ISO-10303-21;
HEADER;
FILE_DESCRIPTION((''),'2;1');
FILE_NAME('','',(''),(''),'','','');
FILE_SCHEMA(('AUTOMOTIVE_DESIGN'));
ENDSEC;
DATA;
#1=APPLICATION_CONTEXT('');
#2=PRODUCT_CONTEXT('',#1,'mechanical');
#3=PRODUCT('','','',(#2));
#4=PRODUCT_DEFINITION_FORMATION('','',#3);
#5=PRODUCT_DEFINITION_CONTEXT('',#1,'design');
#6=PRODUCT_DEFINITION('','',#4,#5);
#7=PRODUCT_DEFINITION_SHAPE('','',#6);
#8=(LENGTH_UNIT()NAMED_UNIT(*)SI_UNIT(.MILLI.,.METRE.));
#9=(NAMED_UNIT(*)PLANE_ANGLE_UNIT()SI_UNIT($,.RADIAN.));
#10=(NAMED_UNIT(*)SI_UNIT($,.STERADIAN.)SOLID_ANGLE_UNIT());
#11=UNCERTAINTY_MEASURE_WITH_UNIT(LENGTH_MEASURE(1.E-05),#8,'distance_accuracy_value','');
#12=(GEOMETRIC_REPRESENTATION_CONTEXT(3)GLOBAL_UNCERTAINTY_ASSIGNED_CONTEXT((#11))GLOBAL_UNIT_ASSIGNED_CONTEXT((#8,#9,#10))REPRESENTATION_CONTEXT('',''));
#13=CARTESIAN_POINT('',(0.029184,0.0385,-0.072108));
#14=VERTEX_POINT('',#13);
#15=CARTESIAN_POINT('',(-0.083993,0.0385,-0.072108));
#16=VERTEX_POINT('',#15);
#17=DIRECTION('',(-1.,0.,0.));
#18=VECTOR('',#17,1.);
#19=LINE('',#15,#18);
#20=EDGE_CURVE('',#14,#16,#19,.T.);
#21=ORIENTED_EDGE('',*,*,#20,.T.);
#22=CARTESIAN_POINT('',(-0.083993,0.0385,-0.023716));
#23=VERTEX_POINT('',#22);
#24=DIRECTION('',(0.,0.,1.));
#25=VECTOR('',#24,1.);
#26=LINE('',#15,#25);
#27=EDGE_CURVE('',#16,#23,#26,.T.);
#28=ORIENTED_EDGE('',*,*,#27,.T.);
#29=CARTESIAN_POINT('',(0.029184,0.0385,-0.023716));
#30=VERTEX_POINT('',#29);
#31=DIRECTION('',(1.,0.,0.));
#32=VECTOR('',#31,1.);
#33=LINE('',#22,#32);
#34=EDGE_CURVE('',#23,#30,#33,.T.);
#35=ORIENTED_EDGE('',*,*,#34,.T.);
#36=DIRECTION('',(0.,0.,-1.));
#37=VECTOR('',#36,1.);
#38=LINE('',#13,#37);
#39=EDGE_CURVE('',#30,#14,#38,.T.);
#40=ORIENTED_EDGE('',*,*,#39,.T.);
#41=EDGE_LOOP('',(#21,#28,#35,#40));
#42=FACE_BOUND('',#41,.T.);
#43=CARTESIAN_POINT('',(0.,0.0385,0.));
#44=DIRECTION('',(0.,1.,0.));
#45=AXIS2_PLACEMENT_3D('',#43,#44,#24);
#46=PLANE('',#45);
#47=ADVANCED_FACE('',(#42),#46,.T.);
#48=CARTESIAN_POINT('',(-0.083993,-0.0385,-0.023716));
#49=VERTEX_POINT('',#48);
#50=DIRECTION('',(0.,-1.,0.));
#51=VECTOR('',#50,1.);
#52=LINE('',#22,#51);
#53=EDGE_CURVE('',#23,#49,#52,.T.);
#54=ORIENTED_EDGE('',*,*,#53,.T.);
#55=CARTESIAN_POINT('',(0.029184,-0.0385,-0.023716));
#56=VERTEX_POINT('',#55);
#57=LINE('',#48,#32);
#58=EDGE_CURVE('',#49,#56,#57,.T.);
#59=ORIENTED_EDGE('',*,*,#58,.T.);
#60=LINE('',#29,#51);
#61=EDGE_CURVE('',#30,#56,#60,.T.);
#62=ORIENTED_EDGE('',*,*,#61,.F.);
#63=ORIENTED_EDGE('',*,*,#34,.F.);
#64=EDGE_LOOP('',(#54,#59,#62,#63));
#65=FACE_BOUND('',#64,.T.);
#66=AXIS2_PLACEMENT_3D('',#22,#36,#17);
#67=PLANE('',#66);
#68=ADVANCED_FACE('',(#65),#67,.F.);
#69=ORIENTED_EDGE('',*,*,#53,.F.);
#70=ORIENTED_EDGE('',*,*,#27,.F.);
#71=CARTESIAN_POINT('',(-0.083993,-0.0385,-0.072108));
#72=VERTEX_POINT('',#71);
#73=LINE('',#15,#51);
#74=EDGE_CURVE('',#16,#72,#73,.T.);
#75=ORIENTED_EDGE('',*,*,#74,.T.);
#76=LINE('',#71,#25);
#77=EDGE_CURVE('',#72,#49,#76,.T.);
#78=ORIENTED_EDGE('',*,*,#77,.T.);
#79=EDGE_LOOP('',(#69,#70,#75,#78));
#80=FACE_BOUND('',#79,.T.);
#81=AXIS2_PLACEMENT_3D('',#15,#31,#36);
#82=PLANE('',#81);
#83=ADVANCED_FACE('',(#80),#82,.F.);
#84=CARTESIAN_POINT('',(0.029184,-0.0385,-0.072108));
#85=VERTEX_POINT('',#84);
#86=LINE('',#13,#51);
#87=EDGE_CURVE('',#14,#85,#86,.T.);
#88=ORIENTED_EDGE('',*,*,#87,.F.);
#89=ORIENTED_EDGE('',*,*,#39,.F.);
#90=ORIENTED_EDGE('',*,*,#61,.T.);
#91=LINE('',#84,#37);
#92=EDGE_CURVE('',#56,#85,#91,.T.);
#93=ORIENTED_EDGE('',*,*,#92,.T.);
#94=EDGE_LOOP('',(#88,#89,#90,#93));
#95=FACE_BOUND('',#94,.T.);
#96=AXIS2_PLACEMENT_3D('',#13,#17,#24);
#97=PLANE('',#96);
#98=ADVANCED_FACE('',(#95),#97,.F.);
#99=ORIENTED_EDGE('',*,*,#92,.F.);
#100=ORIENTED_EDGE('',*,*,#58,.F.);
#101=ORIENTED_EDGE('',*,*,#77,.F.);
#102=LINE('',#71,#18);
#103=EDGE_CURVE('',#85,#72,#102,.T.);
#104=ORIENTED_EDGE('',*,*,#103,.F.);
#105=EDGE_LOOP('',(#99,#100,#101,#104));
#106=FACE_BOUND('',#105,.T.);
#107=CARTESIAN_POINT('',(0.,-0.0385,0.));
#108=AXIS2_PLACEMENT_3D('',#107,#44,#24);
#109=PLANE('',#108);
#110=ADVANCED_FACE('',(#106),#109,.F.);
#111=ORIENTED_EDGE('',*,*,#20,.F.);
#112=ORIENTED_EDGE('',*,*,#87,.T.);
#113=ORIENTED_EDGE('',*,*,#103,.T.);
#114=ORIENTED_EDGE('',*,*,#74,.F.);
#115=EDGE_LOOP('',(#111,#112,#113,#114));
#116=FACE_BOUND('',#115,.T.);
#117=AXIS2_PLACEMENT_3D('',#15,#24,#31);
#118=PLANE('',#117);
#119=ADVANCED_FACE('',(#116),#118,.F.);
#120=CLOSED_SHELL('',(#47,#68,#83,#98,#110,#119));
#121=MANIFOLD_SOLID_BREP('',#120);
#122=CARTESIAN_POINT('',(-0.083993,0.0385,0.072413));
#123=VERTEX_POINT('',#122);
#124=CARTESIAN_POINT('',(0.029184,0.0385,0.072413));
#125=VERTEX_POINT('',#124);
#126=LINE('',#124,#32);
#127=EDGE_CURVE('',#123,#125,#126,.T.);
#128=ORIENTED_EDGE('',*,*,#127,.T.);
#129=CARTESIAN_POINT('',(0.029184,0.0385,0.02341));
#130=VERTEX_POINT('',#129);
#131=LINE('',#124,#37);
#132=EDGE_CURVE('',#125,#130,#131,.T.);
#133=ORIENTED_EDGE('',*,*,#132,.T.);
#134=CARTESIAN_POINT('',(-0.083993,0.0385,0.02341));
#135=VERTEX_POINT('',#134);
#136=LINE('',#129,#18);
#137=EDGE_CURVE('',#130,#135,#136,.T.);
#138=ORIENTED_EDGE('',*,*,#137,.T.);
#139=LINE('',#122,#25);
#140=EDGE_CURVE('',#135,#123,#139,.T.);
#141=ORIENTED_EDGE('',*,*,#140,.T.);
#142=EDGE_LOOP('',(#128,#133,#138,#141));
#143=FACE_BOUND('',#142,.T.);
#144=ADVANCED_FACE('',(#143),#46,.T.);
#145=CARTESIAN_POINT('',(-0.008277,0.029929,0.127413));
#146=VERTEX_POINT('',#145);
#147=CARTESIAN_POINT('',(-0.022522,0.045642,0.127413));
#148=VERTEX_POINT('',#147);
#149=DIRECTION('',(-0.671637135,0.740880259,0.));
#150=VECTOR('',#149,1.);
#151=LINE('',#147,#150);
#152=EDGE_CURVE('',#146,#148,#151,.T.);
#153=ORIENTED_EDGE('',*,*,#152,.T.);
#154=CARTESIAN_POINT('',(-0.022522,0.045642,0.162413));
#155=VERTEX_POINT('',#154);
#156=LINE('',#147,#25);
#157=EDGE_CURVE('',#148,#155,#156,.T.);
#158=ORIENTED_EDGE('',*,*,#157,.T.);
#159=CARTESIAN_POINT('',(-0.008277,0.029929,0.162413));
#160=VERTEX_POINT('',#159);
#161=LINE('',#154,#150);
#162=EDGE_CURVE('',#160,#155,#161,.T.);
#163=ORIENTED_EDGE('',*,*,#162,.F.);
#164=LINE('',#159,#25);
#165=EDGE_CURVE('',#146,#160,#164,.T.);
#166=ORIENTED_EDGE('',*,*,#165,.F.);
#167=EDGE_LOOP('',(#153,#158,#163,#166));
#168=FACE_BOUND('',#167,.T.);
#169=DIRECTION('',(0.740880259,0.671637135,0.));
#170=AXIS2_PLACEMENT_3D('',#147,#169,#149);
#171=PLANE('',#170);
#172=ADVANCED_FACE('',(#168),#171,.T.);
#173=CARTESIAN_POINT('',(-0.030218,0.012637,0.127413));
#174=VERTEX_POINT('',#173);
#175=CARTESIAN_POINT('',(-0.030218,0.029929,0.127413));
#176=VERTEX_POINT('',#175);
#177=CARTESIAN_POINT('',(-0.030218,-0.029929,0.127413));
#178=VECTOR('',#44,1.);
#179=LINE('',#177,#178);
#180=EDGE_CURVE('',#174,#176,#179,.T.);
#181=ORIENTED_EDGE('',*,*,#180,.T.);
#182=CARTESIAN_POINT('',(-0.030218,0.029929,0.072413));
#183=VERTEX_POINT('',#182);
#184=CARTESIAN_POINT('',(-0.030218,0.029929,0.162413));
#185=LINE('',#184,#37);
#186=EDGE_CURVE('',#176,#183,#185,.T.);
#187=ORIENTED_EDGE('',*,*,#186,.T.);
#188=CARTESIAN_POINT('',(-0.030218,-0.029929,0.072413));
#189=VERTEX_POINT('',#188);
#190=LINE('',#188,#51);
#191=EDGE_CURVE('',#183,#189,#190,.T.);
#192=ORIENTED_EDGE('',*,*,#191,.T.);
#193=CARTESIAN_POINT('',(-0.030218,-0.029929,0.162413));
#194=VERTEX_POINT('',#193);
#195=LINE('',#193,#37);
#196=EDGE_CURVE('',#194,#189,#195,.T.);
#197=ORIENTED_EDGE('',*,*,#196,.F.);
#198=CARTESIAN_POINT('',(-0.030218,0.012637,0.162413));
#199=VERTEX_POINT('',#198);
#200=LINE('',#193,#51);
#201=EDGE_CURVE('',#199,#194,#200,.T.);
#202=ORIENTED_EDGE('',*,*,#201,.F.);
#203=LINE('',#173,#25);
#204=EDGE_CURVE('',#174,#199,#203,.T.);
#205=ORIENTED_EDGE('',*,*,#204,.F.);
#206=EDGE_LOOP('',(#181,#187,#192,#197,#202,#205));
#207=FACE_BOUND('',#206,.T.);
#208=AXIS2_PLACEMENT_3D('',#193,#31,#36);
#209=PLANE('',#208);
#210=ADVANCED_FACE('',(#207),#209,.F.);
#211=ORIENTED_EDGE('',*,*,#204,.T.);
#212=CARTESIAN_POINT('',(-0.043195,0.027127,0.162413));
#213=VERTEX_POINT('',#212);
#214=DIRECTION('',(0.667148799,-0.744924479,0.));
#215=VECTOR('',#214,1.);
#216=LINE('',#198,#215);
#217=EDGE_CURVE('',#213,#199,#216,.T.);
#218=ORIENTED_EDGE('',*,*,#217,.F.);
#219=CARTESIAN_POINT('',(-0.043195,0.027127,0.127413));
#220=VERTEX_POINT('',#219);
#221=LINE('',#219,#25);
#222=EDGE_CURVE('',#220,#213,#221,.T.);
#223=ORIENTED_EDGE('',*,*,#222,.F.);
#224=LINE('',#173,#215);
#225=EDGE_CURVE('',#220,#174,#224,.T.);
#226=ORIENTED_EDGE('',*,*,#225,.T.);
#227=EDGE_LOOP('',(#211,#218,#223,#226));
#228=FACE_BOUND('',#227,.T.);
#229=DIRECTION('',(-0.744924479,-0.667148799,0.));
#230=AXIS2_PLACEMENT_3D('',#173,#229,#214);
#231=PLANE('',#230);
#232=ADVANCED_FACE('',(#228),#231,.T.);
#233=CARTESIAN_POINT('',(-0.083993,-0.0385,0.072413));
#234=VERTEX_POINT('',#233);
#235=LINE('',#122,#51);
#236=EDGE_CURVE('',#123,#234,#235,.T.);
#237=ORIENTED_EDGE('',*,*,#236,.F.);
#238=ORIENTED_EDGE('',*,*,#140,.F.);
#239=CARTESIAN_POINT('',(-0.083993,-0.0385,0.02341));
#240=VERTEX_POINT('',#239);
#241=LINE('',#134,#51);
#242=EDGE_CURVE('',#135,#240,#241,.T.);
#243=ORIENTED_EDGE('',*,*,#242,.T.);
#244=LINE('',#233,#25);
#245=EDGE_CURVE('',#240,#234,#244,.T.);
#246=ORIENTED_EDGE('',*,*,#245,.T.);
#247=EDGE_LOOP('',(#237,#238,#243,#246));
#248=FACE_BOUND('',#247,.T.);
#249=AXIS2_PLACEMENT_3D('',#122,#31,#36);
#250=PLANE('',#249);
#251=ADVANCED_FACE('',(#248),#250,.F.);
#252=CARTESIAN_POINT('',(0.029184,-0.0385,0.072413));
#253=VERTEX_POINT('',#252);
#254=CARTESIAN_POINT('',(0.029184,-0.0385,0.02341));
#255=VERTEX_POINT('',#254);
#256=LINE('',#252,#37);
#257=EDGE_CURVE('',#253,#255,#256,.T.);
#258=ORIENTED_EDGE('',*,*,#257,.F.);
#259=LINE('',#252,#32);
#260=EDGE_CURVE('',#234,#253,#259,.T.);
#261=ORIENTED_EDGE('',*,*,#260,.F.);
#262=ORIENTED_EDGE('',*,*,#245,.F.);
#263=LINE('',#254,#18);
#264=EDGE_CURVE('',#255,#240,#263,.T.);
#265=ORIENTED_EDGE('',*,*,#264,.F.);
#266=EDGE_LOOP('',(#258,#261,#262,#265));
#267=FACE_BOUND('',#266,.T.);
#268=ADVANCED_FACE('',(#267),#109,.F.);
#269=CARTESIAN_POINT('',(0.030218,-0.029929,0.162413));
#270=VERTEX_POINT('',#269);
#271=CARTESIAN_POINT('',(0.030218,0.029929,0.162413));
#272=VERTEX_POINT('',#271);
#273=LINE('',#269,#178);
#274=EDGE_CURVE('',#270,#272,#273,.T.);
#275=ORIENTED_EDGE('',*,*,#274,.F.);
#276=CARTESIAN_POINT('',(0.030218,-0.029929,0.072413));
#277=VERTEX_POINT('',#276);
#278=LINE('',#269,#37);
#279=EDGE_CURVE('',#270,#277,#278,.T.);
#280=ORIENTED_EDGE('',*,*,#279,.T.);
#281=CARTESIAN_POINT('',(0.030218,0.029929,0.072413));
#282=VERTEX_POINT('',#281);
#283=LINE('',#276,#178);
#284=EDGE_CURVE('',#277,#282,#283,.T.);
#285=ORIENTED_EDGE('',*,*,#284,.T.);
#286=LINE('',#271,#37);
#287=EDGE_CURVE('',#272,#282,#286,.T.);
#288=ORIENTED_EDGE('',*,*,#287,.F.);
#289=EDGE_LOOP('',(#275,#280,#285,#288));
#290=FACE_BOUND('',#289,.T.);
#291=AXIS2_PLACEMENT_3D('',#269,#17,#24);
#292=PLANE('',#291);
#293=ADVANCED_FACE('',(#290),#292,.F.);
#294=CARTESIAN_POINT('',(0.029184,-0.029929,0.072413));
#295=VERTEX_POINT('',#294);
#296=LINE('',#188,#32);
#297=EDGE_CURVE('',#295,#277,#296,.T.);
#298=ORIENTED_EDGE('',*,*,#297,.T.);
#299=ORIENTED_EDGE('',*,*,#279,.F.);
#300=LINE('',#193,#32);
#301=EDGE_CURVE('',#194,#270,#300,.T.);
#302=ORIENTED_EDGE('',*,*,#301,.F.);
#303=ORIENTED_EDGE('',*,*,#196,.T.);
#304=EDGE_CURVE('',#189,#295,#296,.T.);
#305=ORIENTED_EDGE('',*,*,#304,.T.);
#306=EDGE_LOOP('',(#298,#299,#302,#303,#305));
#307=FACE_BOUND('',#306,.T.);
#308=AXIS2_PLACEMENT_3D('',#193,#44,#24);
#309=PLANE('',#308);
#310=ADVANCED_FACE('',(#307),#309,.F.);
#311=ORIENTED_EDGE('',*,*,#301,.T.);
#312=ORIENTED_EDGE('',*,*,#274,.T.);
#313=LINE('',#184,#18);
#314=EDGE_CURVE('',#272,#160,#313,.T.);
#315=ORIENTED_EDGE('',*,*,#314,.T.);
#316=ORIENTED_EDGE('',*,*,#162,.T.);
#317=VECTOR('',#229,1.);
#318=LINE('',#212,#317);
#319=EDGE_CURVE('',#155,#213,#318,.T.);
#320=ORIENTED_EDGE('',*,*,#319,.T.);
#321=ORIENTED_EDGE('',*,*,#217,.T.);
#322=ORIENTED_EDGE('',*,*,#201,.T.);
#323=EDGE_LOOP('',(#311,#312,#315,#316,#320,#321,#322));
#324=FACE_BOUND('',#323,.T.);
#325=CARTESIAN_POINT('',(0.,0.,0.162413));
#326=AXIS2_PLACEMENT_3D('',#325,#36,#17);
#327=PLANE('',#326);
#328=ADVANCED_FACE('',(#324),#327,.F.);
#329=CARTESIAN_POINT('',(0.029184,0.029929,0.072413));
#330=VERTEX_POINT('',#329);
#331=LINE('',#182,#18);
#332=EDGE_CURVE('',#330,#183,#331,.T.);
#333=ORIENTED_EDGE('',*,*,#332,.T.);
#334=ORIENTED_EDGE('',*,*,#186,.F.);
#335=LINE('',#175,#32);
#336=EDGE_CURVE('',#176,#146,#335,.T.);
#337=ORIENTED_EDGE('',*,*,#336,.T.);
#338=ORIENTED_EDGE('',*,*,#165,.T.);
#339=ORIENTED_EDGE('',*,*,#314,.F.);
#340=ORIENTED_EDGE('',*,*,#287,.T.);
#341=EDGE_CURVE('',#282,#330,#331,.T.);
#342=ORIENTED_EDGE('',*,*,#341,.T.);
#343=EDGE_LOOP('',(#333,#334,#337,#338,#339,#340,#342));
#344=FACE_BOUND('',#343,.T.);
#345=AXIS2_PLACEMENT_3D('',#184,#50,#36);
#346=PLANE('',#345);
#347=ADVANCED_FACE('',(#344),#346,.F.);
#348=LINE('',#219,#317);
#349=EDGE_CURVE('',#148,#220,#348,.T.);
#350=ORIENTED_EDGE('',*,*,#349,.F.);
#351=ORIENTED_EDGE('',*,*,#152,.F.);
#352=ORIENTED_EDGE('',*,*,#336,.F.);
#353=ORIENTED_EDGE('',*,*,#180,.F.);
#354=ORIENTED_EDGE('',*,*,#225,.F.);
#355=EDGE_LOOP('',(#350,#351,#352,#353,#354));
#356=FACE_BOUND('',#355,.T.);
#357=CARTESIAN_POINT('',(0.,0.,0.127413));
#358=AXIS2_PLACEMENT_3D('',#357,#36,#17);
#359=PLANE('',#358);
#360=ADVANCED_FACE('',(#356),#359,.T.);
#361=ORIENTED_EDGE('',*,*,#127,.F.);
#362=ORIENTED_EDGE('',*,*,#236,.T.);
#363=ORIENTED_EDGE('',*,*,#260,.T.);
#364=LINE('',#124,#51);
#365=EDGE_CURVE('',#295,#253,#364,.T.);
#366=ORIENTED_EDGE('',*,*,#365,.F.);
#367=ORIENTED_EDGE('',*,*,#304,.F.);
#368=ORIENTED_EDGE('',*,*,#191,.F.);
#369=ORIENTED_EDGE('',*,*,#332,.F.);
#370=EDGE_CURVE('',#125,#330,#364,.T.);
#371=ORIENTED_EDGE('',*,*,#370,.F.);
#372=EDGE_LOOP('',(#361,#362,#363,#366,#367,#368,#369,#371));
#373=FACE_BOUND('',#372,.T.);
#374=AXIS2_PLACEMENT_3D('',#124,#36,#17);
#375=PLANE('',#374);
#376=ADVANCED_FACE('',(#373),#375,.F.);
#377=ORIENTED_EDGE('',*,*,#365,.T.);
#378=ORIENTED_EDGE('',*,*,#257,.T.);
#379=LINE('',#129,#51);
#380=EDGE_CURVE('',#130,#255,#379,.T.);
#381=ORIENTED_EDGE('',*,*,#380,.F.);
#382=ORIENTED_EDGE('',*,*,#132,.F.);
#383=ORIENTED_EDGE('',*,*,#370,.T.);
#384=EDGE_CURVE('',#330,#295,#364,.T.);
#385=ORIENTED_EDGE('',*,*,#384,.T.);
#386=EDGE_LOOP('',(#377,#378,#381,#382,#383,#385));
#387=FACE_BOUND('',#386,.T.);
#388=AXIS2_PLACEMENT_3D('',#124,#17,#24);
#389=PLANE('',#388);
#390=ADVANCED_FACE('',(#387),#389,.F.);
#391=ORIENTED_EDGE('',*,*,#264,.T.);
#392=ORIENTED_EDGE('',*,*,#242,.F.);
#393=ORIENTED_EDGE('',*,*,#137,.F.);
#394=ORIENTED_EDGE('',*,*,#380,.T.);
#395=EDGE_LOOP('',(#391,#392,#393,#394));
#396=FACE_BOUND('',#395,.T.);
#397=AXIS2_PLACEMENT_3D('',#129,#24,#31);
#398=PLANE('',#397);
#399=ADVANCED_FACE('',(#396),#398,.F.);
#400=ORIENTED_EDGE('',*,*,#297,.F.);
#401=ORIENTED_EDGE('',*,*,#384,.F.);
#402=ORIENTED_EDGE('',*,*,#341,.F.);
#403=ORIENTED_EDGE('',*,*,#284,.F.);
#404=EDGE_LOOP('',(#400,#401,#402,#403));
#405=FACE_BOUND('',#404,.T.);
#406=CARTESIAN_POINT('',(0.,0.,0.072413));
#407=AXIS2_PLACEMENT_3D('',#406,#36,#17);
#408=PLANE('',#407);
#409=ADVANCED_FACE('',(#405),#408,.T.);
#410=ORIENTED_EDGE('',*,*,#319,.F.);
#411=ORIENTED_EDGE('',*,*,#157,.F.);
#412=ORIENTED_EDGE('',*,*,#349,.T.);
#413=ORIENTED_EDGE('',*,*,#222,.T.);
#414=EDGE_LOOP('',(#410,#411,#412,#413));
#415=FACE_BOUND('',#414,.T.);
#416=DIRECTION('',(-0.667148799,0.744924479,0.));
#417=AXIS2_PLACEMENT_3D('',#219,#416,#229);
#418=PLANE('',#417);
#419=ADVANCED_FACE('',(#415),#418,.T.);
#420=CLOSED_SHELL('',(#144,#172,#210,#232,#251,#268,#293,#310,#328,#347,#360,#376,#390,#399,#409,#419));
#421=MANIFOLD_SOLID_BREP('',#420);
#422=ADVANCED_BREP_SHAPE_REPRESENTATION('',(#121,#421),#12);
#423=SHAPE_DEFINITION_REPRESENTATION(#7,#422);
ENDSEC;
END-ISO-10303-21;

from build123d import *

# Parameters (mm, degrees)
SKETCH1_W             = 0.113177451
SKETCH1_H             = 0.048392057
BOSS_EXTRUDE1_DEPTH   = 0.0385
SKETCH1_H_2           = 0.04900298
BOSS_EXTRUDE1_2_DEPTH = 0.0385
SKETCH2_W             = 0.060435072
SKETCH2_H             = 0.059857316
BOSS_EXTRUDE2_DEPTH   = 0.09
BOSS_EXTRUDE3_DEPTH   = 0.035


with BuildPart() as part:
    # Sketch1 → Boss-Extrude1 (new body, symmetric)
    with BuildSketch(Plane(origin=(0, 0, 0), x_dir=(1, 0, 0), z_dir=(0, 1, 0))):
        with Locations((-0.027404412, 0.047911973)):
            Rectangle(SKETCH1_W, SKETCH1_H)
    extrude(amount=BOSS_EXTRUDE1_DEPTH, both=True)


with BuildPart() as body_2:
    # Sketch1 → Boss-Extrude1 2 (new body, symmetric)
    with BuildSketch(Plane(origin=(0, 0, 0), x_dir=(1, 0, 0), z_dir=(0, 1, 0))):
        with Locations((-0.027404412, -0.047911817)):
            Rectangle(SKETCH1_W, SKETCH1_H_2)
    extrude(amount=BOSS_EXTRUDE1_2_DEPTH, both=True)

    # Sketch2 → Boss-Extrude2 (add)
    with BuildSketch(Plane.XY.offset(0.072413307)):
        Rectangle(SKETCH2_W, SKETCH2_H)
    extrude(amount=BOSS_EXTRUDE2_DEPTH)

    # Sketch3 → Boss-Extrude3 (add)
    with BuildSketch(Plane.XY.offset(0.162413307)):
        Polygon((-0.030217536, 0.012636531), (-0.043195458, 0.027127409), (-0.022522092, 0.045642322), (-0.007890561, 0.029502338), align=None)
    extrude(amount=-BOSS_EXTRUDE3_DEPTH)


solid = Compound([part.part, body_2.part])
